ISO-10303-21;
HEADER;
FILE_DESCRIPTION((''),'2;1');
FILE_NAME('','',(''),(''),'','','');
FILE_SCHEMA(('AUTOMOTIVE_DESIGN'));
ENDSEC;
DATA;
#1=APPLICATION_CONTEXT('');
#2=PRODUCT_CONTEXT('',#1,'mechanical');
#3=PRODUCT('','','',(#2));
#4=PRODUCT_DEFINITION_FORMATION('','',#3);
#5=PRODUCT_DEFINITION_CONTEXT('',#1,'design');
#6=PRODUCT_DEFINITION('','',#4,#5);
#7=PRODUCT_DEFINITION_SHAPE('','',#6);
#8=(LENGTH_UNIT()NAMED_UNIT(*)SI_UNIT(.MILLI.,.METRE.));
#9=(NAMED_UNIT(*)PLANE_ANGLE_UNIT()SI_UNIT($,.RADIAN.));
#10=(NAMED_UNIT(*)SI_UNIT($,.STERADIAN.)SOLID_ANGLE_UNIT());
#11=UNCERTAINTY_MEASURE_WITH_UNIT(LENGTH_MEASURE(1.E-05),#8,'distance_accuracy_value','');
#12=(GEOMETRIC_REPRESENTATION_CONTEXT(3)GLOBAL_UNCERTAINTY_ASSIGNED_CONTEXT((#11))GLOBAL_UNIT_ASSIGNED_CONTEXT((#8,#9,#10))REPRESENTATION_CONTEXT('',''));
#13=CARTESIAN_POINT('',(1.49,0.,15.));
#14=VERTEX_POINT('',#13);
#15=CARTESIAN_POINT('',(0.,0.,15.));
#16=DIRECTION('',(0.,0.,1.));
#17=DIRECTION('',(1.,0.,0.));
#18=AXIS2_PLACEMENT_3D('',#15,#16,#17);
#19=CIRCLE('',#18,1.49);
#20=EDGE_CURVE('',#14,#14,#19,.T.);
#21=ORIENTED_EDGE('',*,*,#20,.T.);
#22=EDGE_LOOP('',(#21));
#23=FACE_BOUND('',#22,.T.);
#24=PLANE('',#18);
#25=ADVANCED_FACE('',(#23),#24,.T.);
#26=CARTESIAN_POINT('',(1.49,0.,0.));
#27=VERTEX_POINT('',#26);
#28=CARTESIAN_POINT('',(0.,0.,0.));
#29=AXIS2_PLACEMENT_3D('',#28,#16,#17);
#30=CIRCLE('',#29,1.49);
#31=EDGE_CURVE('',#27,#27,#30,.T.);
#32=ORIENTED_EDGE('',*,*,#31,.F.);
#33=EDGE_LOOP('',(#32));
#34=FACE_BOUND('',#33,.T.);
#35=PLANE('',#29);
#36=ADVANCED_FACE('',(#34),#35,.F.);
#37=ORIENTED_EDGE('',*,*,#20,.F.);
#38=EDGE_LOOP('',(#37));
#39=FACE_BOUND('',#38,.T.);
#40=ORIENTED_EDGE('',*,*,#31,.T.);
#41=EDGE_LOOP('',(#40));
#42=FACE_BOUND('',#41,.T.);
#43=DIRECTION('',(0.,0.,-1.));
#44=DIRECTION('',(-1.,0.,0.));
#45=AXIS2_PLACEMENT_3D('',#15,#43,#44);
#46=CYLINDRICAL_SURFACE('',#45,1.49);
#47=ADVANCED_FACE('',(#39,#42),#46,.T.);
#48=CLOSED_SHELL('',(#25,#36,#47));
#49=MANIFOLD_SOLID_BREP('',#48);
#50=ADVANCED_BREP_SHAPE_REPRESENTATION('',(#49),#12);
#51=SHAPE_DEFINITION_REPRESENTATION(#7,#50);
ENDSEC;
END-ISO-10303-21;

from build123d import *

# Parameters (mm, degrees)
SKETCH_1_R      = 1.49
EXTRUDE_1_DEPTH = 15


with BuildPart() as part:
    # 草图1 → 凸台-拉伸1 (new body)
    with BuildSketch(Plane.XY):
        Circle(SKETCH_1_R)
    extrude(amount=EXTRUDE_1_DEPTH)


solid = part.part
